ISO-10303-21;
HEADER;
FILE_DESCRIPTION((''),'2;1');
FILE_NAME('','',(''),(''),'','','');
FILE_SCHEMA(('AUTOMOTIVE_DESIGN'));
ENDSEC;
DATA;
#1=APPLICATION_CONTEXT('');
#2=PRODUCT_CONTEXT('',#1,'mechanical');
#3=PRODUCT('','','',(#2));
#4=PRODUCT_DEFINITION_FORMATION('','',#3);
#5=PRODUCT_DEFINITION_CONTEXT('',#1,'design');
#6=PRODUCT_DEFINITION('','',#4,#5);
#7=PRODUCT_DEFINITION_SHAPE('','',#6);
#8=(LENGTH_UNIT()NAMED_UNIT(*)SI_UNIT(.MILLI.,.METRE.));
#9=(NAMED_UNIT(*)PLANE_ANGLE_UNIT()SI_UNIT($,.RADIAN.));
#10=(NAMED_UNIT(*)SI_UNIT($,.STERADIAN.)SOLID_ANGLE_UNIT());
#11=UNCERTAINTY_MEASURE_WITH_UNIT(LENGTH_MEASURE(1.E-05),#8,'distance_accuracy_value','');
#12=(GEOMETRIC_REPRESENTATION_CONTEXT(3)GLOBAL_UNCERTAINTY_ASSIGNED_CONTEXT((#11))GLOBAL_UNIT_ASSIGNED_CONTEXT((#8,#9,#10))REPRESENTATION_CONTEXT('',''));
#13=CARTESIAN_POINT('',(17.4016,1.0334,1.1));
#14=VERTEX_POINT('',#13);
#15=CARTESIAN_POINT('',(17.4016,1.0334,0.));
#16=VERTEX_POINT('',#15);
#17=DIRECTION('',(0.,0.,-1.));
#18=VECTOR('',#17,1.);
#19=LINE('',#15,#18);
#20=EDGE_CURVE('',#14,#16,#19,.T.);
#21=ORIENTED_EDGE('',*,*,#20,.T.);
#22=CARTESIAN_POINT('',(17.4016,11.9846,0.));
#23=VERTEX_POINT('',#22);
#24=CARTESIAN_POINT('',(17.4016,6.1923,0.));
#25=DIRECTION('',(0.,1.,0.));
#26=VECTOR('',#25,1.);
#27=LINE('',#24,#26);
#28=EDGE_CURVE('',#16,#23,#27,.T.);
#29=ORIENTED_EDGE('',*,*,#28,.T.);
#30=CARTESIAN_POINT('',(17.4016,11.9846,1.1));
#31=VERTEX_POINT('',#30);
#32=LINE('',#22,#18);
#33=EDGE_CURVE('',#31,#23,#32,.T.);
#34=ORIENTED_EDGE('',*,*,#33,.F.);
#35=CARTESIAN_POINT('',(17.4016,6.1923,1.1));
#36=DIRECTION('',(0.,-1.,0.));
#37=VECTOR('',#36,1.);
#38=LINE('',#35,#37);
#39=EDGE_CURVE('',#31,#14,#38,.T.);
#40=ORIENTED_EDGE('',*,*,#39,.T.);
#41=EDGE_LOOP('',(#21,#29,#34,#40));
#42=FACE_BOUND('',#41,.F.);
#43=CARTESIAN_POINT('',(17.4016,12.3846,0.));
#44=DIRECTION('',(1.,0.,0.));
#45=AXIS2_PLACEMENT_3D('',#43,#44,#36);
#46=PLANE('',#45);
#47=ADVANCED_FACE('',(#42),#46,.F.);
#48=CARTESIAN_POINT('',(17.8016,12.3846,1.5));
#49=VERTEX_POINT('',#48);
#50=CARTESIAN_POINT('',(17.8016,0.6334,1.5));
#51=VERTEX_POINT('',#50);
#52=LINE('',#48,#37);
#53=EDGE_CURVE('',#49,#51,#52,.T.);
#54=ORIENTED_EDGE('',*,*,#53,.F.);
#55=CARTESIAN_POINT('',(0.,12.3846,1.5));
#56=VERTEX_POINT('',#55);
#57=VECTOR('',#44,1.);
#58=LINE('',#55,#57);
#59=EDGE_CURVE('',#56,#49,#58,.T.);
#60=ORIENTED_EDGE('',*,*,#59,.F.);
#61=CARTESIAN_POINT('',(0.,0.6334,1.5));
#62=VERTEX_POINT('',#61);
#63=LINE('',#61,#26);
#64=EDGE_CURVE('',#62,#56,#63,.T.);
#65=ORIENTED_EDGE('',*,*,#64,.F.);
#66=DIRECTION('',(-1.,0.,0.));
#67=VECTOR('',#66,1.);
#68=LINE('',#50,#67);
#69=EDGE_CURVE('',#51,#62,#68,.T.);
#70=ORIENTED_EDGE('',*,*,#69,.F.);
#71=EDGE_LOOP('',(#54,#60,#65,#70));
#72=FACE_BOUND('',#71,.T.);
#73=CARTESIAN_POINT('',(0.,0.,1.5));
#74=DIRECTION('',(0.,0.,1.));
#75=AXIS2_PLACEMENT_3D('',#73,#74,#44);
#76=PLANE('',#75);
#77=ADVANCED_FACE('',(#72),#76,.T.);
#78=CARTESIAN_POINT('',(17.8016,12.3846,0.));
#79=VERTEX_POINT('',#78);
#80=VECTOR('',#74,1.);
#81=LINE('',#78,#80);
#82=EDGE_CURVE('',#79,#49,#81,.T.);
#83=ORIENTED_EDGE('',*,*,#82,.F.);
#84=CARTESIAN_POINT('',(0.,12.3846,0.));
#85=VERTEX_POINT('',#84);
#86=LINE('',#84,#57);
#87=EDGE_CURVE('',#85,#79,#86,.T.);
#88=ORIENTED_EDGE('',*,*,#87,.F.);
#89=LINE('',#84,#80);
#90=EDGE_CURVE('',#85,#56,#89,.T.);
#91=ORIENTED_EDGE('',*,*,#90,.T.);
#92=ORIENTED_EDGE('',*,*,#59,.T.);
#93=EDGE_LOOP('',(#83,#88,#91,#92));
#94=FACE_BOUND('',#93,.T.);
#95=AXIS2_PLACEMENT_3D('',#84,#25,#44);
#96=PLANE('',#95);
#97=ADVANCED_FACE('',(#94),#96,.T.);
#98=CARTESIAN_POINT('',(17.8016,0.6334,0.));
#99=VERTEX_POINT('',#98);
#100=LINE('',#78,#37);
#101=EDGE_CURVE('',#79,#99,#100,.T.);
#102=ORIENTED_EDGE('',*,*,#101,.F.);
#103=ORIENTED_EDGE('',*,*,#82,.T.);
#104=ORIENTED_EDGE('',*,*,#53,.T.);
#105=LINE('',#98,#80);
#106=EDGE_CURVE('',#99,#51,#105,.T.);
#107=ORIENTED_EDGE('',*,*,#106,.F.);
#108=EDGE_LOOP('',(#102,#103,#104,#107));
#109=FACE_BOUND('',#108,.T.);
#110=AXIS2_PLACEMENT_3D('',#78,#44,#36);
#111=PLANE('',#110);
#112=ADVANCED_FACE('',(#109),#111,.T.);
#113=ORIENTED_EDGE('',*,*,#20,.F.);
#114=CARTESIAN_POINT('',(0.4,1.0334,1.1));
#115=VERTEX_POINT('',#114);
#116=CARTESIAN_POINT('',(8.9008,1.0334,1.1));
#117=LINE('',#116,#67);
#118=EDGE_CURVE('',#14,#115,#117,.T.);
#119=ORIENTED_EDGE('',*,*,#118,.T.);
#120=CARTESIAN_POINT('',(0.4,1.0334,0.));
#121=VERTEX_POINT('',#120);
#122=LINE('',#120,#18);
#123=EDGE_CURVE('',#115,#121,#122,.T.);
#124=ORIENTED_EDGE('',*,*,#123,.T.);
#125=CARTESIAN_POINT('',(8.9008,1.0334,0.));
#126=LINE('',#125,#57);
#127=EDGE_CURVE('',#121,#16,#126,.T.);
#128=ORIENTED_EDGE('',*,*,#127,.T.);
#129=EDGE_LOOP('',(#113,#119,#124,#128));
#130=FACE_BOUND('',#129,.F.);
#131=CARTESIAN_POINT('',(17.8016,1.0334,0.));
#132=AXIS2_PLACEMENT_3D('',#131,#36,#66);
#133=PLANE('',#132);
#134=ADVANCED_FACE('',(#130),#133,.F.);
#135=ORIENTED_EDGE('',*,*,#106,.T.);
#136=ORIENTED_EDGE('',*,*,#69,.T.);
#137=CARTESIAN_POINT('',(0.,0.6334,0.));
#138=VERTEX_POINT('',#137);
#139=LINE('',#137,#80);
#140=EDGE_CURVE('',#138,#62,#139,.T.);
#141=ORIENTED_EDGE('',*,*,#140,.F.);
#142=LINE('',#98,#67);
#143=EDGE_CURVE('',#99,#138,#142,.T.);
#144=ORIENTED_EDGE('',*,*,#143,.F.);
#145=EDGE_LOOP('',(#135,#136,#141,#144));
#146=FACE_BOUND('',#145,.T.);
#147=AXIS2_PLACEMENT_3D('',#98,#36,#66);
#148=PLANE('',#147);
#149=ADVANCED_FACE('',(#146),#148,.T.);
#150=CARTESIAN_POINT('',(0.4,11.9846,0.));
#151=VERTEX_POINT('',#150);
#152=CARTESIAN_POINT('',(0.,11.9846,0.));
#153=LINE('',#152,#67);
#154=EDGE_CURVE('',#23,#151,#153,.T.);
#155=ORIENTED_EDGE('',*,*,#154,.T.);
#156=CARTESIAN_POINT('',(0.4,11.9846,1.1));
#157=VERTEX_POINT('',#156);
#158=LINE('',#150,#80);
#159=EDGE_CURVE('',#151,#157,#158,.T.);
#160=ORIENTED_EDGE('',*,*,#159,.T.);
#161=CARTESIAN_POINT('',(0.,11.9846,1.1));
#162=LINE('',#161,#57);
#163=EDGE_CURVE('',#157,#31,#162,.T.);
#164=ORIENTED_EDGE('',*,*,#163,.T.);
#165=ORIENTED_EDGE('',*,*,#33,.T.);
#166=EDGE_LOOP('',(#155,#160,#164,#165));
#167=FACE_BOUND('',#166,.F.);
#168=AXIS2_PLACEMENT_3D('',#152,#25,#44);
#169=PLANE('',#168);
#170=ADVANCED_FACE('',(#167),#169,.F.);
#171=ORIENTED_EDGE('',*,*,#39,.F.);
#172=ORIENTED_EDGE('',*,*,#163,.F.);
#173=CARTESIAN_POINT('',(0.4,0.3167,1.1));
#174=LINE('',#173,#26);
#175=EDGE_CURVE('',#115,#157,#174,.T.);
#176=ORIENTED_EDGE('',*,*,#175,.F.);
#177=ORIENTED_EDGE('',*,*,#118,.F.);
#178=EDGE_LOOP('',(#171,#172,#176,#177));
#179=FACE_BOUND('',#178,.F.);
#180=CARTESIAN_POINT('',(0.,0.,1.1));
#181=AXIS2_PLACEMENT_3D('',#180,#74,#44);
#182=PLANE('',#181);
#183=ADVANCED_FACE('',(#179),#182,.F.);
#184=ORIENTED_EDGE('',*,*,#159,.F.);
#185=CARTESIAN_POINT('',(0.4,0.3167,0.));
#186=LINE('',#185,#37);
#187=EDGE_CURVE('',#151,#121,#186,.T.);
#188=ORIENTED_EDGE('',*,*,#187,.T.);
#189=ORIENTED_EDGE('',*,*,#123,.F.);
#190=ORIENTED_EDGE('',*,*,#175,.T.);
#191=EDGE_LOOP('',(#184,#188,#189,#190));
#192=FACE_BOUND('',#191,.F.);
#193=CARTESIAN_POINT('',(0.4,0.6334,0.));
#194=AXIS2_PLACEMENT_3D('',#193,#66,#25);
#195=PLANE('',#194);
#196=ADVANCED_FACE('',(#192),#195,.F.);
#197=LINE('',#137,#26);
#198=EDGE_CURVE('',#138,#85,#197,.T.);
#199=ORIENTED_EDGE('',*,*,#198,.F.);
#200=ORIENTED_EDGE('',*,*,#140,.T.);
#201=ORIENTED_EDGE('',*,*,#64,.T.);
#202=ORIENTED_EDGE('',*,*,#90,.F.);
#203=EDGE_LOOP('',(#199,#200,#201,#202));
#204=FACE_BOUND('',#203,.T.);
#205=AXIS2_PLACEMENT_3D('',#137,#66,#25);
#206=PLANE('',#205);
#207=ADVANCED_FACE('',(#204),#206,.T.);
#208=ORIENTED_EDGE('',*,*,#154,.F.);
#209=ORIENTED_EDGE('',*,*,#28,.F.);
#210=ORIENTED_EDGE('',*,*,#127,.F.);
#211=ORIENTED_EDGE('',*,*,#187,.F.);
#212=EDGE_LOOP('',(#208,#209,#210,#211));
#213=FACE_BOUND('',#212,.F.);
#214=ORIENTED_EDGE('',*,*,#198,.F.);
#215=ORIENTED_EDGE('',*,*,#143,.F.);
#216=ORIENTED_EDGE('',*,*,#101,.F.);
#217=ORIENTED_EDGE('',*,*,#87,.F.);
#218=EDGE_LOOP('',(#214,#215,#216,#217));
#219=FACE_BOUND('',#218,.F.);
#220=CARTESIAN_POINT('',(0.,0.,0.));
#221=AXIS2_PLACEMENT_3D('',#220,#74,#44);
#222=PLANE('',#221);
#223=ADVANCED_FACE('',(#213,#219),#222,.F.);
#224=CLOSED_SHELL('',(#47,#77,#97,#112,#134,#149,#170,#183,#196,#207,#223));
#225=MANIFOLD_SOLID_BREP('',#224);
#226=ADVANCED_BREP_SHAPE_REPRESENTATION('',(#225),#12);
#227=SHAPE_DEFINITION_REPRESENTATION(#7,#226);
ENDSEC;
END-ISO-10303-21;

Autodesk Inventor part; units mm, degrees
ref_plane "YZ Plane" through (0, 0, 0) normal (1, 0, 0) x (0, 1, 0)
ref_plane "XZ Plane" through (0, 0, 0) normal (0, 1, 0) x (-1, 0, 0)
ref_plane "XY Plane" through (0, 0, 0) normal (0, 0, 1) x (1, 0, 0)
sketch "Sketch1" plane through (0, 0, 0) normal (0, 0, 1) x (1, 0, 0)
  line L0 (0, 12.3846) -> (17.8016, 12.3846)
  line L1 (17.8016, 12.3846) -> (17.8016, 0.6334)
  line L2 (17.8016, 0.6334) -> (0, 0.6334)
  line L3 (0, 0.6334) -> (0, 12.3846)
  point P0 (0, 0)
extrude "Extrusion1" add sketch "Sketch1" along normal blind 1.5
shell "Shell1" thickness 0.4 removed faces 1 at (5.9339, 8.4676, 0)
properties part number "a4"
